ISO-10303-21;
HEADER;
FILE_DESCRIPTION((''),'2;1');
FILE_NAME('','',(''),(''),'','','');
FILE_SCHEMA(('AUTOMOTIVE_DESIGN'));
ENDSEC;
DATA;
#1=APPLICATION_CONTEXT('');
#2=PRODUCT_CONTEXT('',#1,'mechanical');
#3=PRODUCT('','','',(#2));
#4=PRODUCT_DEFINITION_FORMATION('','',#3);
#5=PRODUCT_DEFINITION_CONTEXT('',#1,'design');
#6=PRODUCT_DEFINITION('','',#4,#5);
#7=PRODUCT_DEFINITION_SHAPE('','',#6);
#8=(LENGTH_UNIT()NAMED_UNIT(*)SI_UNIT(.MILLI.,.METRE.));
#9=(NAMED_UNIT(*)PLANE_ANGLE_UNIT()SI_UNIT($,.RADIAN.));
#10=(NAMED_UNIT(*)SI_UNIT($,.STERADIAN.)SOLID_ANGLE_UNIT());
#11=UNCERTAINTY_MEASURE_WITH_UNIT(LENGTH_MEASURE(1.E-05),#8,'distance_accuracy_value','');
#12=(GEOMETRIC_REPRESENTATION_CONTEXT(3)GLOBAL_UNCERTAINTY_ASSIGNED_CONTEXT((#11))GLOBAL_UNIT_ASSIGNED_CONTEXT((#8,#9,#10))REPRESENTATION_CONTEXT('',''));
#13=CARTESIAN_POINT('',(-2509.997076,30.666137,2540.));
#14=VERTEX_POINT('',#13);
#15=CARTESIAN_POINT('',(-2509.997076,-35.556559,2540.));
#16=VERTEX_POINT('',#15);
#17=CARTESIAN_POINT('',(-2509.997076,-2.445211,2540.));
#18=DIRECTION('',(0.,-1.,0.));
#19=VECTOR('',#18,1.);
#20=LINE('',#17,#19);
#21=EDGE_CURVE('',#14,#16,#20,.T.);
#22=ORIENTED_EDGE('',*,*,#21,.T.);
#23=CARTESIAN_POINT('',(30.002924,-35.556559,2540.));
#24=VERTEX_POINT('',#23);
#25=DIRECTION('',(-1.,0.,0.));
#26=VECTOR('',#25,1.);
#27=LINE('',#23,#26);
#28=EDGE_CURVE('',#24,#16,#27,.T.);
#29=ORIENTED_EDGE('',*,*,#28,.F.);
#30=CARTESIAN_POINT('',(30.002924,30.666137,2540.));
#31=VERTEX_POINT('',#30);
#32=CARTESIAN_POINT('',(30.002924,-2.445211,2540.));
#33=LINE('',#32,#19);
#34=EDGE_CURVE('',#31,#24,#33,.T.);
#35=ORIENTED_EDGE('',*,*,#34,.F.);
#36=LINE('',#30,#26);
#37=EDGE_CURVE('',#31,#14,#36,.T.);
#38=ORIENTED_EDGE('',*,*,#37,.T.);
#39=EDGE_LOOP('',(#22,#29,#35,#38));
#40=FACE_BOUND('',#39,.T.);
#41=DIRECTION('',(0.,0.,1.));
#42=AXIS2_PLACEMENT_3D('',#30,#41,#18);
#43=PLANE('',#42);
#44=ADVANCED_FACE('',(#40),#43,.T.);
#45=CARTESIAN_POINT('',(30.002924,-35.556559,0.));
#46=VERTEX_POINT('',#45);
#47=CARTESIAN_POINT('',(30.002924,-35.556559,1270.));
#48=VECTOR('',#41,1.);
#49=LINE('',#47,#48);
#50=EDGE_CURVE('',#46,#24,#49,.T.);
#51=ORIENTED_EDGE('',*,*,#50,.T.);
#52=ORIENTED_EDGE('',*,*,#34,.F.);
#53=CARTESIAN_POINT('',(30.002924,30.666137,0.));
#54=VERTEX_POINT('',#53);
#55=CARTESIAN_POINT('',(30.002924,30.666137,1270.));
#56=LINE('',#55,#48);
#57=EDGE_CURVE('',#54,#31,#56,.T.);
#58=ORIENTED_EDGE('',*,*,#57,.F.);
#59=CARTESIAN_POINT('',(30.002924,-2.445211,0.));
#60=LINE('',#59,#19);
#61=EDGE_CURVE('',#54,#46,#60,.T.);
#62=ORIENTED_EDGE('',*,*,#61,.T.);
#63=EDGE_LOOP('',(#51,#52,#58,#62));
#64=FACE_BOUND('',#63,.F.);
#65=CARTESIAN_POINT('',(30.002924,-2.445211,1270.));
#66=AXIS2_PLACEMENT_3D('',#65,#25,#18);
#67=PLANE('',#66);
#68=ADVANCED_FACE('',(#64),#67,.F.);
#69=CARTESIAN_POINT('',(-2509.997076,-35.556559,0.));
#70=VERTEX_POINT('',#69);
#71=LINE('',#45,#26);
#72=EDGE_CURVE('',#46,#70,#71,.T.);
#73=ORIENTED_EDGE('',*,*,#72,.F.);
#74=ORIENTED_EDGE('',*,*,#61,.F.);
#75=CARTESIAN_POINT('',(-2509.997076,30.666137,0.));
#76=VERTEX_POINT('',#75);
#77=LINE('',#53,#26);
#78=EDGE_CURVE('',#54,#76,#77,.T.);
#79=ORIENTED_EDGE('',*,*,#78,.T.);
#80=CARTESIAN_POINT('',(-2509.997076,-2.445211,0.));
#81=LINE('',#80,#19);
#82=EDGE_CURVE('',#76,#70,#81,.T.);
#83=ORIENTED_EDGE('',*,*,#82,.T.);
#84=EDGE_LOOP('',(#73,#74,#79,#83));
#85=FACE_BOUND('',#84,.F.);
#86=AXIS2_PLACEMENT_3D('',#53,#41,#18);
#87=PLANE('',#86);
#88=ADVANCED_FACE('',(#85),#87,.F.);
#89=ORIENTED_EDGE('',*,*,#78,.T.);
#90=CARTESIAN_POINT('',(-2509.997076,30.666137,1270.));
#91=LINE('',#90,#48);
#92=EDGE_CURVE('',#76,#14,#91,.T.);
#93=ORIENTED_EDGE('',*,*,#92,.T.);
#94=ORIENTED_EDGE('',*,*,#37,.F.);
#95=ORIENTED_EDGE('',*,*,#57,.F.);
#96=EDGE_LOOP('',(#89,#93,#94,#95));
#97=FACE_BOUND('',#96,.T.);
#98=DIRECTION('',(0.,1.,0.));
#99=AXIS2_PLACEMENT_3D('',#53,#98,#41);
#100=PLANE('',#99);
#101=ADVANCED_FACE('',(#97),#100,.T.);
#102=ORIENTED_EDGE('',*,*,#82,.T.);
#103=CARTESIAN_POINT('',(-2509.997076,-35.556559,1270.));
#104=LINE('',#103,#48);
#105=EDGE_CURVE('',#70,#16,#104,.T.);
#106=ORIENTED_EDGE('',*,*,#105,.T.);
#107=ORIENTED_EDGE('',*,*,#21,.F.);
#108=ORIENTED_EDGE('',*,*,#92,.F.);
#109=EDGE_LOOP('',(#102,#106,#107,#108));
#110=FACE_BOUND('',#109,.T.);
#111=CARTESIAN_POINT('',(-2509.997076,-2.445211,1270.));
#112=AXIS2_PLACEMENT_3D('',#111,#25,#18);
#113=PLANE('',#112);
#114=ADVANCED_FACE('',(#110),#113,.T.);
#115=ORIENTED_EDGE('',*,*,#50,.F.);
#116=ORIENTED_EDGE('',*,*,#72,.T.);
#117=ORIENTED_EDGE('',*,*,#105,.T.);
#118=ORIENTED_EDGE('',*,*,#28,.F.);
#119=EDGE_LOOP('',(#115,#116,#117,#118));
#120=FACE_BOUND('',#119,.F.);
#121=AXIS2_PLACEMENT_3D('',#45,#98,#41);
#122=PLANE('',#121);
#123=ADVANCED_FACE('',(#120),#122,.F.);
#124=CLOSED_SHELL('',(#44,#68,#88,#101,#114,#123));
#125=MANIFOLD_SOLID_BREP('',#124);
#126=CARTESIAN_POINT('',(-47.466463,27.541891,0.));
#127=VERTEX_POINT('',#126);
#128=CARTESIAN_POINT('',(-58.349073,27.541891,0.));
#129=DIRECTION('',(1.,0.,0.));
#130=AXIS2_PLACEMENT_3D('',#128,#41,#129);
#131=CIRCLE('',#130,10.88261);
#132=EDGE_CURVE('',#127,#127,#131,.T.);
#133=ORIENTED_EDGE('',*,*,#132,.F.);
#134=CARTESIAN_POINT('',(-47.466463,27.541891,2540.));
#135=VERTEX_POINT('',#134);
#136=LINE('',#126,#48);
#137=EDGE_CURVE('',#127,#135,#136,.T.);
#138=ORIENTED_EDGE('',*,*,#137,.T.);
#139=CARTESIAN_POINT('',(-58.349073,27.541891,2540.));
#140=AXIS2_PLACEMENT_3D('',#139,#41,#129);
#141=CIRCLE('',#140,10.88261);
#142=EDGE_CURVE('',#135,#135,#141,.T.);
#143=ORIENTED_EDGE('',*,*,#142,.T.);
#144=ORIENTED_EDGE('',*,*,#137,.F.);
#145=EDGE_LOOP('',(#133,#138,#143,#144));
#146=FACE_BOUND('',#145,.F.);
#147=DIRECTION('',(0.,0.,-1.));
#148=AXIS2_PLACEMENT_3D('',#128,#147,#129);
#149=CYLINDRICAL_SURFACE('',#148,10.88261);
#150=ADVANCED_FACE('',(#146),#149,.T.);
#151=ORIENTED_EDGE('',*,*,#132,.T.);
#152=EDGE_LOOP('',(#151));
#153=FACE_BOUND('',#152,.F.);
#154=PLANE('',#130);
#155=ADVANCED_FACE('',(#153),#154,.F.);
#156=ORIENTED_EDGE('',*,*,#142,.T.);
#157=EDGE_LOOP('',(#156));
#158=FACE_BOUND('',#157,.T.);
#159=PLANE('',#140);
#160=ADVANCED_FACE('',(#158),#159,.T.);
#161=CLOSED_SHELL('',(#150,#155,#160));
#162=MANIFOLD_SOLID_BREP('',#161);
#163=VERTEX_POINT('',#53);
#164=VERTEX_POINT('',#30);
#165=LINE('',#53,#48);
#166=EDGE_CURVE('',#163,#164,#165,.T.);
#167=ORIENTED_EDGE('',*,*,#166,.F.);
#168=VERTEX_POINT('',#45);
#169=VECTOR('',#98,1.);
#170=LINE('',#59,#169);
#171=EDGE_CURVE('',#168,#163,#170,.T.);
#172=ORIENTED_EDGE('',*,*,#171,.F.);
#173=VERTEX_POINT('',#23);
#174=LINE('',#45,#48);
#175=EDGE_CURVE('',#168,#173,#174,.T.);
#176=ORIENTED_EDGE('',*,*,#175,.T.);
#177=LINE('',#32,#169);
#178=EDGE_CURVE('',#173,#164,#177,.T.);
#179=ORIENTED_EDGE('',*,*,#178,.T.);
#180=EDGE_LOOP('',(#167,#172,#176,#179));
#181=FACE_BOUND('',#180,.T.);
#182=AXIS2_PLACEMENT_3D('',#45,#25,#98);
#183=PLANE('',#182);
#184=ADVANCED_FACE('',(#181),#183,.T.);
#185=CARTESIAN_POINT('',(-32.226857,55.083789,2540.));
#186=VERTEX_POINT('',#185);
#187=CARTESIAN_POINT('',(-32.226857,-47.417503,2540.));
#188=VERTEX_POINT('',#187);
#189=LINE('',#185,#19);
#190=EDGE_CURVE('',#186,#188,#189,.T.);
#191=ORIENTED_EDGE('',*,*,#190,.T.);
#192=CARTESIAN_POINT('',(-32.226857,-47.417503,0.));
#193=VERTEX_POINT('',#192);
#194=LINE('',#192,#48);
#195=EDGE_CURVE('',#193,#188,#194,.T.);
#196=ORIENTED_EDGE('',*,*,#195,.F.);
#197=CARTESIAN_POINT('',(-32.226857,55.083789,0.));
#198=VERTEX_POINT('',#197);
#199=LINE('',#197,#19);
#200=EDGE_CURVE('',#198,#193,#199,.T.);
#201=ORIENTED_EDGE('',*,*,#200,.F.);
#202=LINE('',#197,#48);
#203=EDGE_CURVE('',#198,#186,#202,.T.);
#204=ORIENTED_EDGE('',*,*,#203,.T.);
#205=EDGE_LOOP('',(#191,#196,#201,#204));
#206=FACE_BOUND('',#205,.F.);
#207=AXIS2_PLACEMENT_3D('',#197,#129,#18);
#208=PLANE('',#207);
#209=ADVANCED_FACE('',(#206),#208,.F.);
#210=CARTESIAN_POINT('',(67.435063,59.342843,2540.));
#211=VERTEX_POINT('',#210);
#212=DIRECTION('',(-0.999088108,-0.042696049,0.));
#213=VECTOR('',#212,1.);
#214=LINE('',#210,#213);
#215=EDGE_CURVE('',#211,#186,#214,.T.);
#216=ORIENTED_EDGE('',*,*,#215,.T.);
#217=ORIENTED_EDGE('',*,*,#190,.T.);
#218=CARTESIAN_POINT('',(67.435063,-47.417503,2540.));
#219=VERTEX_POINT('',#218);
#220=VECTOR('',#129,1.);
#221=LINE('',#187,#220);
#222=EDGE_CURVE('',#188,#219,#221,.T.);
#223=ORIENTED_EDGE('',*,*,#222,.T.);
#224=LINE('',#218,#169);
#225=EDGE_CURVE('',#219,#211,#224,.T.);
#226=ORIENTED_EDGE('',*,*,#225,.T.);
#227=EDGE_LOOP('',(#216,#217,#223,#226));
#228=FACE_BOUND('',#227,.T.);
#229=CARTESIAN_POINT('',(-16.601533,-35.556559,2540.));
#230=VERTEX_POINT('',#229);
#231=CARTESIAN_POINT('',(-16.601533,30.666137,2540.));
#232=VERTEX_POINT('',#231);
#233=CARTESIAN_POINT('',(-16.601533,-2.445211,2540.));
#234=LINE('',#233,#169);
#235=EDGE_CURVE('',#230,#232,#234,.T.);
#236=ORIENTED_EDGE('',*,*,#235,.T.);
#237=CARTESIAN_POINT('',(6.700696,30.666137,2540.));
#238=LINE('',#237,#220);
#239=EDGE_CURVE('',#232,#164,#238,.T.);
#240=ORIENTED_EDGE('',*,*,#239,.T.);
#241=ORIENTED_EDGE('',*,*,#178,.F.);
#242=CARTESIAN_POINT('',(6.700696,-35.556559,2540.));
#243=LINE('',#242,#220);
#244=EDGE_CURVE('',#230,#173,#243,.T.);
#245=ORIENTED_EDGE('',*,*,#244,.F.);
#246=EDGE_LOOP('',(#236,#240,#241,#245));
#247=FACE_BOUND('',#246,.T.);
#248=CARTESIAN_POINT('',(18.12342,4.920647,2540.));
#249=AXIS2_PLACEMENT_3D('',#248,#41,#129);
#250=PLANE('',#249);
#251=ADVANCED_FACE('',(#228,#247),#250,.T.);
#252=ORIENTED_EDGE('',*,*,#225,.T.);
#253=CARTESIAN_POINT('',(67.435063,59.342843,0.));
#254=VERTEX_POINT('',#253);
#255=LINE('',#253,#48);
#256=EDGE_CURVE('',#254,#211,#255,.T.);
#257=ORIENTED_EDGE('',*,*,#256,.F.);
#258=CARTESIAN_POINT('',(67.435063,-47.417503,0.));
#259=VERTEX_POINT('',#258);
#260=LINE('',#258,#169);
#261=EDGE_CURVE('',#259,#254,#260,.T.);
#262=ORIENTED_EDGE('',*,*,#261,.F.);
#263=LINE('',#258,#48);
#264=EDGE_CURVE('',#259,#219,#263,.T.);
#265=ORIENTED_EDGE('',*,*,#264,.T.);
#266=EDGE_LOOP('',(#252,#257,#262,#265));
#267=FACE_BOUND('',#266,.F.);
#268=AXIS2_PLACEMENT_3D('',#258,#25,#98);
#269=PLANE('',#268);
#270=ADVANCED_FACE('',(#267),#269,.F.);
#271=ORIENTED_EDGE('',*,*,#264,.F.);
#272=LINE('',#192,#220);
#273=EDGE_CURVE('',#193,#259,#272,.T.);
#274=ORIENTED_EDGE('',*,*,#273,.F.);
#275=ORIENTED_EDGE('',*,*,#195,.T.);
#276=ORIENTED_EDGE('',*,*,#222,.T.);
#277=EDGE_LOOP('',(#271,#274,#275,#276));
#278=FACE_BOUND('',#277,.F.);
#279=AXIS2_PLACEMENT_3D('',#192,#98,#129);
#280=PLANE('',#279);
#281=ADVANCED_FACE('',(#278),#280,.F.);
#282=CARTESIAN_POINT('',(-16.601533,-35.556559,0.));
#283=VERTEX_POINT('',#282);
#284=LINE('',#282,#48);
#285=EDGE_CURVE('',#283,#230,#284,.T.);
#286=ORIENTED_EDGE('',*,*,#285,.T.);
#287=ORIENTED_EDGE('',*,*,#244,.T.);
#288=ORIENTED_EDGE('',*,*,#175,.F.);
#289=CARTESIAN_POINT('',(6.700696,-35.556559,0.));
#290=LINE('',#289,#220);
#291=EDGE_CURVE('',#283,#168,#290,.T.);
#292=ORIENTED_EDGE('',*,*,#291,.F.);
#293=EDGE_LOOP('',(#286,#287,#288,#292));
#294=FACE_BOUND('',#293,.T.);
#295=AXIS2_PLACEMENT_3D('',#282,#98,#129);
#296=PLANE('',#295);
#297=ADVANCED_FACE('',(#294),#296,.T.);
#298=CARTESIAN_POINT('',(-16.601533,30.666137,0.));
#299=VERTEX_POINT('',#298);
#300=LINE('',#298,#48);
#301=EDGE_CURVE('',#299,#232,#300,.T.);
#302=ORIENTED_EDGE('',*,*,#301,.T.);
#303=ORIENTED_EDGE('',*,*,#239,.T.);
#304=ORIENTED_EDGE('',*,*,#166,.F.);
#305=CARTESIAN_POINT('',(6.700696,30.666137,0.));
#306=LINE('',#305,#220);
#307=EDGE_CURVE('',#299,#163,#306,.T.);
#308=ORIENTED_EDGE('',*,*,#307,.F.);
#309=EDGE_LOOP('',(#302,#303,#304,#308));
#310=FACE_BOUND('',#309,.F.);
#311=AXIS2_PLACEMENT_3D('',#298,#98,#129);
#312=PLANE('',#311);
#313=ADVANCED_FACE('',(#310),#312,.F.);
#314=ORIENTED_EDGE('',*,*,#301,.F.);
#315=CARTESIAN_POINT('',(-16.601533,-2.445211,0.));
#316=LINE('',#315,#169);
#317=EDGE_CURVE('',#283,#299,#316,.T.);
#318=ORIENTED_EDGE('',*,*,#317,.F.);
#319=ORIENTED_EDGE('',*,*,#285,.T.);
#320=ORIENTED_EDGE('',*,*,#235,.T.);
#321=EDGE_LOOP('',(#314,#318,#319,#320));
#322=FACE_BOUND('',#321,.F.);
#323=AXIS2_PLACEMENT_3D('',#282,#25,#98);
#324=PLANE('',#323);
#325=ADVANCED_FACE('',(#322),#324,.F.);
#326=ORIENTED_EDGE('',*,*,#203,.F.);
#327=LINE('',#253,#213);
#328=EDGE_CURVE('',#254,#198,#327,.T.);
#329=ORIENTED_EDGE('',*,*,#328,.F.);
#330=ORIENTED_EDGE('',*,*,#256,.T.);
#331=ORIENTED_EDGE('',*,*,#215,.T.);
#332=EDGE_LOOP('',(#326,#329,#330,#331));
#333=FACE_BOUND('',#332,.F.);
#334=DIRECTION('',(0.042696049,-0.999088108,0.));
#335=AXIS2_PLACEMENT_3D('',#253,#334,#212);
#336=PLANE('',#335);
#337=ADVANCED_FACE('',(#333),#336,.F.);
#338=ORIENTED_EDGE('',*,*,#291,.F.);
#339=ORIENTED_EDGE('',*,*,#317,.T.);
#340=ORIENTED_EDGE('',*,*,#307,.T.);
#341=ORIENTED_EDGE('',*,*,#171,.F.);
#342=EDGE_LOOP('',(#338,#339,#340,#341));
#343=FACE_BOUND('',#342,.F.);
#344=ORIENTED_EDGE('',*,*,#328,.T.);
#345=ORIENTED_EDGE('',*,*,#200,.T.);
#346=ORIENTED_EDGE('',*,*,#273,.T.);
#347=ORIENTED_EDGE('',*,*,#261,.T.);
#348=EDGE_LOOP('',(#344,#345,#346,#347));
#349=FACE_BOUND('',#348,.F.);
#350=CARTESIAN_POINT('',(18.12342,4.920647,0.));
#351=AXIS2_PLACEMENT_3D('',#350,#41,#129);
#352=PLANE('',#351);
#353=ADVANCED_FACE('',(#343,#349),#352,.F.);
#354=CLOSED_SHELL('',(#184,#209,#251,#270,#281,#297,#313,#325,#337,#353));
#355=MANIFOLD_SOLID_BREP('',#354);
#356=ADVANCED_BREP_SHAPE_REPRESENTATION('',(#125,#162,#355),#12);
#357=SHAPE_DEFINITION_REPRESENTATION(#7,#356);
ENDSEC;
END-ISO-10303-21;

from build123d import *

# Parameters (mm, degrees)
F0_W      = 46.604457
F0_H      = 66.222696
F0_R      = 10.88261
F1_DEPTH  = 2540
F1_FACE_W = 66.222696
F1_FACE_H = 2540
F2_DEPTH  = 2540


with BuildPart() as f1:
    # F0 (on Top) → F1 (new body)
    with BuildSketch(Plane.XY):
        Polygon((67.435063, 59.342843), (-32.226857, 55.083789), (-32.226857, -47.417503), (67.435063, -47.417503), align=None)
        with Locations((6.700696, -2.445211)):
            Rectangle(F0_W, F0_H, mode=Mode.SUBTRACT)
        with Locations((-58.349073, 27.541891)):
            Circle(F0_R)
    extrude(amount=F1_DEPTH)


with BuildPart() as f2:
    # F1_face (on face) → F2 (new body)
    with BuildSketch(Plane(origin=(30.002924, -2.445211, 1270), x_dir=(0, -1, 0), z_dir=(-1, 0, 0))):
        Rectangle(F1_FACE_W, F1_FACE_H)
    extrude(amount=F2_DEPTH)


solid = Compound([f1.part, f2.part])
